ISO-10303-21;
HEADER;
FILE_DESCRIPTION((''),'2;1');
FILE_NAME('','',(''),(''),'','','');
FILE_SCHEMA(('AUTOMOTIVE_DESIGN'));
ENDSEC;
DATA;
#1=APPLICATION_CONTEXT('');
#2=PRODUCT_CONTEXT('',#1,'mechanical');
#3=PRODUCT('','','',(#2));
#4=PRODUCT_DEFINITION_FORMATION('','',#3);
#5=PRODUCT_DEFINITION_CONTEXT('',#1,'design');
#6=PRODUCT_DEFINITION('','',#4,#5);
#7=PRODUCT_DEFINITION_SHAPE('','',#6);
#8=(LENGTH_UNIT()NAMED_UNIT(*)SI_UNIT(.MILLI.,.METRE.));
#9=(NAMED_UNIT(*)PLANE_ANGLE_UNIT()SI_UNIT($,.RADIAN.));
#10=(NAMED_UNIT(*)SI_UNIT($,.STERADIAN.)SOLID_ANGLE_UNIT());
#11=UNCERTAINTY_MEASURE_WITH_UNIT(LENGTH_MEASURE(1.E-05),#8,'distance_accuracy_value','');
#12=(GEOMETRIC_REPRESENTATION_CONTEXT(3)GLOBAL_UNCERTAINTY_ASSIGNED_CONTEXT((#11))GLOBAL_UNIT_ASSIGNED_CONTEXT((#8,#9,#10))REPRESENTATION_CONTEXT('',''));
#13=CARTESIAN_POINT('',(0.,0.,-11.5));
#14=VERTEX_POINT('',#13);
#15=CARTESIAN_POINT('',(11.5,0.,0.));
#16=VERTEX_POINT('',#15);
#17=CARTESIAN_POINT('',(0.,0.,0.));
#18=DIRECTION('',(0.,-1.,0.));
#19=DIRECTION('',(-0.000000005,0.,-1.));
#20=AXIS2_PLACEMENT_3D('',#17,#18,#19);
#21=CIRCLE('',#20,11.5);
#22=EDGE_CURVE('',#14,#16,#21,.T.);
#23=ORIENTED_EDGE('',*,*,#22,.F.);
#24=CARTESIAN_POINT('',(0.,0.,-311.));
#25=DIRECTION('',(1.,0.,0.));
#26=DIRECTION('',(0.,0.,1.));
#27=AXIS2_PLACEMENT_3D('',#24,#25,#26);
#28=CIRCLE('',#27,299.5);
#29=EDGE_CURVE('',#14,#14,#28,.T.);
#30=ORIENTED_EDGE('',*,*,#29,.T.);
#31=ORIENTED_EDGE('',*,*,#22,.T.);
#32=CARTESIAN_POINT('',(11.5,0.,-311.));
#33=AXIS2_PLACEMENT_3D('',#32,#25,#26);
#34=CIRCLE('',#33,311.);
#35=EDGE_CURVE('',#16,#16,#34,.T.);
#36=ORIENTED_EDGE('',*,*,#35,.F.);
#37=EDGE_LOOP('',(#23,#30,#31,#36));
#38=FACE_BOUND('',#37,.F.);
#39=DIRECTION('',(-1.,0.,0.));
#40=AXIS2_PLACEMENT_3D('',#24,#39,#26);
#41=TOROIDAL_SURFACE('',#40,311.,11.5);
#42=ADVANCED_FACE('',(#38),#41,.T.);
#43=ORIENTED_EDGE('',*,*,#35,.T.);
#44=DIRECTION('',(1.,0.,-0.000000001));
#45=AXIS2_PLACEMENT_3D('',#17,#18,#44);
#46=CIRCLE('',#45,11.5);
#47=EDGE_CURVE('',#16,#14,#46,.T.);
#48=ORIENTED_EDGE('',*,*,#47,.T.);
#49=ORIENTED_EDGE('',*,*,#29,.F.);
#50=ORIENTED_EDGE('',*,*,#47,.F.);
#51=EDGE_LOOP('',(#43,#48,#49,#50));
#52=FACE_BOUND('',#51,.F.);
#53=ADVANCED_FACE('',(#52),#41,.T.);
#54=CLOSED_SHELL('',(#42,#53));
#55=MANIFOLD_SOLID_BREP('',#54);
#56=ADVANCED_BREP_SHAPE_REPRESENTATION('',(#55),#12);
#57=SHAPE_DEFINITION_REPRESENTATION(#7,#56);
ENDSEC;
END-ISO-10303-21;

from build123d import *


with BuildPart() as f1:
    # F0 (on Front) → F1 (revolve)
    with BuildSketch(Plane.XZ):
        with BuildLine():
            ThreePointArc((0, -11.5), (8.131728, -8.131728), (11.5, 0))
            ThreePointArc((11.5, 0), (-8.131728, 8.131728), (0, -11.5))
        make_face()
    revolve(axis=Axis((18.498331, 0, -311), (1, 0, 0)))


solid = f1.part
